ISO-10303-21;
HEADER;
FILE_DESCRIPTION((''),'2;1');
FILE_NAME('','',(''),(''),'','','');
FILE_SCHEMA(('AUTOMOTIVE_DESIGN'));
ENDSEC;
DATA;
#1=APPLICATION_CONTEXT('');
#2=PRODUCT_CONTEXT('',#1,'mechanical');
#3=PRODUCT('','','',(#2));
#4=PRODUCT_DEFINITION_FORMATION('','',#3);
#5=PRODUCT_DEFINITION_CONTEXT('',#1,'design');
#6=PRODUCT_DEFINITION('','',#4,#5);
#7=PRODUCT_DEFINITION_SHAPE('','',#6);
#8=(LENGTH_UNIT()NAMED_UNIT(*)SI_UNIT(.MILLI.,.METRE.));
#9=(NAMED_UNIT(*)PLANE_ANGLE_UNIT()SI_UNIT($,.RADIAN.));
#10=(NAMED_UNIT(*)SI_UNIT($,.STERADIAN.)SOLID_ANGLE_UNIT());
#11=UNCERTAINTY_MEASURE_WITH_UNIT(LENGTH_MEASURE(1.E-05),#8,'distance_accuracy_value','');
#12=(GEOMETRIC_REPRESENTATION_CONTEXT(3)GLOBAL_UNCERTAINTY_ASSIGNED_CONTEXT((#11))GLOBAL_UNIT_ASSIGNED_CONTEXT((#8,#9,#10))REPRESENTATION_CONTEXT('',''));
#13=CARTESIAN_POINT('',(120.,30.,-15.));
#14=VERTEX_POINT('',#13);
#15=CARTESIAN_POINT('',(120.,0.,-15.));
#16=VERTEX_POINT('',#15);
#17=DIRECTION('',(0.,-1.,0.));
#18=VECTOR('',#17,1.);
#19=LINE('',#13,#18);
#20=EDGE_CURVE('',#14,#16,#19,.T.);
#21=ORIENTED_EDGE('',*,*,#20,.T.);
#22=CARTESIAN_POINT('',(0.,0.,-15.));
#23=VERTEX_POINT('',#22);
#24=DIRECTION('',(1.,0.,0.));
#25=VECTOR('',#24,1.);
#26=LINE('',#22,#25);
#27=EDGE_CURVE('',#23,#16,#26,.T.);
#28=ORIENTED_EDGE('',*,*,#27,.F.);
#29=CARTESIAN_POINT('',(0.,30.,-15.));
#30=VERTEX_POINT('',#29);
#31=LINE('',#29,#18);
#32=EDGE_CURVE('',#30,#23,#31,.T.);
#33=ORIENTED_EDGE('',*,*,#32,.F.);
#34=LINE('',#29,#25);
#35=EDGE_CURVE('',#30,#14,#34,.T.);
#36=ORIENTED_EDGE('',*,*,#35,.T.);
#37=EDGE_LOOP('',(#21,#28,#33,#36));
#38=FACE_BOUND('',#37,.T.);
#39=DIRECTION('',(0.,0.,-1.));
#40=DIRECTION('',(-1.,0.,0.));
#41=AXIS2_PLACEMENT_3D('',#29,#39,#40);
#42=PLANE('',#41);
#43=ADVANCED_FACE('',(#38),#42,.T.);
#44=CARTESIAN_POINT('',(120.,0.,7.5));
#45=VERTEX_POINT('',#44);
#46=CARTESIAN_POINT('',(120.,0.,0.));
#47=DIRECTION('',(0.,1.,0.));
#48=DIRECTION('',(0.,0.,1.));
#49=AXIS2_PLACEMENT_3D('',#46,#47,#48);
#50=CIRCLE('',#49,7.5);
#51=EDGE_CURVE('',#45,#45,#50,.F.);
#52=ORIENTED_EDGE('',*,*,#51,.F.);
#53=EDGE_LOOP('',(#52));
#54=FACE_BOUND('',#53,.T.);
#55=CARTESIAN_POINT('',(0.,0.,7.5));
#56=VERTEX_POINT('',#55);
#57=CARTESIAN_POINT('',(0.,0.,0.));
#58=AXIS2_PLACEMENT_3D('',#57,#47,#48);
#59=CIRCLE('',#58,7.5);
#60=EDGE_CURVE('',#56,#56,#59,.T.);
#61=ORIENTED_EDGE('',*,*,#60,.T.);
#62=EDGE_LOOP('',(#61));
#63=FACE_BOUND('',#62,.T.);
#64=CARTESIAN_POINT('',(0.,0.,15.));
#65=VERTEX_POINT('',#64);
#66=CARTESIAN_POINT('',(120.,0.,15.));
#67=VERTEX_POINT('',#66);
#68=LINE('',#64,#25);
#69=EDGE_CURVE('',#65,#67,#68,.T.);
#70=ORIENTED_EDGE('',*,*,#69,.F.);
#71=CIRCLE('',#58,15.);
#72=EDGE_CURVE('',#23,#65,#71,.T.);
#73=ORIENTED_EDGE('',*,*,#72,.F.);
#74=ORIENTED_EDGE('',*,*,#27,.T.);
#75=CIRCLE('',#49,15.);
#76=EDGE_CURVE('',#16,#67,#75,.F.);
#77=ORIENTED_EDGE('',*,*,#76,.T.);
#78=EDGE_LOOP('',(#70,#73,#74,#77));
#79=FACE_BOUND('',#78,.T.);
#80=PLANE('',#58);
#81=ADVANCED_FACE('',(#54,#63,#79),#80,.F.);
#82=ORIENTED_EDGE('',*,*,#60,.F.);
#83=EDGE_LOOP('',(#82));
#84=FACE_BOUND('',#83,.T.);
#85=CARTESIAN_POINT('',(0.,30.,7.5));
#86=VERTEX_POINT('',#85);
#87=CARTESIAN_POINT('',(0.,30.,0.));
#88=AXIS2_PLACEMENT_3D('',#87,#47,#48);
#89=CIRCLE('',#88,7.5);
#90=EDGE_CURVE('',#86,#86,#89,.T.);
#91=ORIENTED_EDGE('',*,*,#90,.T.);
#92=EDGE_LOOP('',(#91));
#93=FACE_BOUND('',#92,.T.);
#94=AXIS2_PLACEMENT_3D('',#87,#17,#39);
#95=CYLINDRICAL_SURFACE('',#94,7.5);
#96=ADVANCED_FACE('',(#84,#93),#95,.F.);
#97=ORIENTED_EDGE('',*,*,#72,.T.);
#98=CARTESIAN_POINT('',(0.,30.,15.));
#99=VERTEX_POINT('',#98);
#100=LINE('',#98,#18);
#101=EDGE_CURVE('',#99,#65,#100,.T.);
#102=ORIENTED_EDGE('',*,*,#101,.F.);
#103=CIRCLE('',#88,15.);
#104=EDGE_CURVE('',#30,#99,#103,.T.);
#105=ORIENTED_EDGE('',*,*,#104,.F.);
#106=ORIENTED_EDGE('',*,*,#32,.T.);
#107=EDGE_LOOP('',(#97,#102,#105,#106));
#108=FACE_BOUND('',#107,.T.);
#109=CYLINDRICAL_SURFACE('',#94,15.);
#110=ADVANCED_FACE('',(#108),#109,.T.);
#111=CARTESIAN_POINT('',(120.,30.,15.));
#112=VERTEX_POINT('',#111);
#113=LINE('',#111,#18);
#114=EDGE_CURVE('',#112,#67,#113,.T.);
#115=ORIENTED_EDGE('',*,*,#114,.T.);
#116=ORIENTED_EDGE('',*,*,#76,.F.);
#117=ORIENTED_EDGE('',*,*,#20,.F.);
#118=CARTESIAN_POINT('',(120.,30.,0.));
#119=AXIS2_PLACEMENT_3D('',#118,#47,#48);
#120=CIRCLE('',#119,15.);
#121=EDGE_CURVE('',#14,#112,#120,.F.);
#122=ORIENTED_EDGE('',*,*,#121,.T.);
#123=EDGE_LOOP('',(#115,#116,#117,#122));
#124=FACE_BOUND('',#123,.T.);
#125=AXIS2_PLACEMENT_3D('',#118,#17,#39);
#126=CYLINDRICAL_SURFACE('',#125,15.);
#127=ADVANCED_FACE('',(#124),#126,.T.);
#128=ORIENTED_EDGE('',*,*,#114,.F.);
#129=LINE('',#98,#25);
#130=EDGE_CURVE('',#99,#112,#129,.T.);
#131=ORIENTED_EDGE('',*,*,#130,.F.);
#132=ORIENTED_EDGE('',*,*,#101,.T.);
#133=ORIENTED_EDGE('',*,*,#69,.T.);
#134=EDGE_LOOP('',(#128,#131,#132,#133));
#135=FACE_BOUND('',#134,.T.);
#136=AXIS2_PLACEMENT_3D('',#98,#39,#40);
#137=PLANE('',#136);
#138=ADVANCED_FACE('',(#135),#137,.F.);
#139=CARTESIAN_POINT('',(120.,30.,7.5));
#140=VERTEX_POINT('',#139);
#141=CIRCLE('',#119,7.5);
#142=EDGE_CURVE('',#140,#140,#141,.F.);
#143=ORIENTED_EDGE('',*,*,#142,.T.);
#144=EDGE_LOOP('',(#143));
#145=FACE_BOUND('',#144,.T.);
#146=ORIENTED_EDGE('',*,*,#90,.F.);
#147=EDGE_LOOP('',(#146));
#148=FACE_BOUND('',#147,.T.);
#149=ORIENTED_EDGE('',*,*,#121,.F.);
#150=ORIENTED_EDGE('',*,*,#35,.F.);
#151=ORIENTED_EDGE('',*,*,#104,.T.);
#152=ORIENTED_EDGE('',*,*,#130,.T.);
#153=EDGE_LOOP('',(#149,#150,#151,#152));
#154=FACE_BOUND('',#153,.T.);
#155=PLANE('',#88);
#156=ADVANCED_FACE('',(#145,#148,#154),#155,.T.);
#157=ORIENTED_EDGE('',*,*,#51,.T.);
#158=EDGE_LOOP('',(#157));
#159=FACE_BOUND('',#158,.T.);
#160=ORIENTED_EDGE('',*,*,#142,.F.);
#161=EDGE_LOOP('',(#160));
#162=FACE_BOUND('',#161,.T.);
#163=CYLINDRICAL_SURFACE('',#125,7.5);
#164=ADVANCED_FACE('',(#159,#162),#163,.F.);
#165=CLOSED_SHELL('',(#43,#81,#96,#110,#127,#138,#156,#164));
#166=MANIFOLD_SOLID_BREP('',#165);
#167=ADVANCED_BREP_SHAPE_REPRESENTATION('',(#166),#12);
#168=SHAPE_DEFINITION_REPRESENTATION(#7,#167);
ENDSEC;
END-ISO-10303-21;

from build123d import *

# Parameters (mm, degrees)
SKETCH3_R           = 7.5
BOSS_EXTRUDE1_DEPTH = 30


with BuildPart() as part:
    # Sketch3 → Boss-Extrude1 (new body)
    with BuildSketch(Plane(origin=(0, 0, 0), x_dir=(1, 0, 0), z_dir=(0, 1, 0))):
        with BuildLine():
            ThreePointArc((120, 15), (135, 0), (120, -15))
            Line((120, -15), (0, -15))
            ThreePointArc((0, -15), (-15, 0), (0, 15))
            Line((0, 15), (120, 15))
        make_face()
        Circle(SKETCH3_R, mode=Mode.SUBTRACT)
        with Locations((120, 0)):
            Circle(SKETCH3_R, mode=Mode.SUBTRACT)
    extrude(amount=BOSS_EXTRUDE1_DEPTH)


solid = part.part
